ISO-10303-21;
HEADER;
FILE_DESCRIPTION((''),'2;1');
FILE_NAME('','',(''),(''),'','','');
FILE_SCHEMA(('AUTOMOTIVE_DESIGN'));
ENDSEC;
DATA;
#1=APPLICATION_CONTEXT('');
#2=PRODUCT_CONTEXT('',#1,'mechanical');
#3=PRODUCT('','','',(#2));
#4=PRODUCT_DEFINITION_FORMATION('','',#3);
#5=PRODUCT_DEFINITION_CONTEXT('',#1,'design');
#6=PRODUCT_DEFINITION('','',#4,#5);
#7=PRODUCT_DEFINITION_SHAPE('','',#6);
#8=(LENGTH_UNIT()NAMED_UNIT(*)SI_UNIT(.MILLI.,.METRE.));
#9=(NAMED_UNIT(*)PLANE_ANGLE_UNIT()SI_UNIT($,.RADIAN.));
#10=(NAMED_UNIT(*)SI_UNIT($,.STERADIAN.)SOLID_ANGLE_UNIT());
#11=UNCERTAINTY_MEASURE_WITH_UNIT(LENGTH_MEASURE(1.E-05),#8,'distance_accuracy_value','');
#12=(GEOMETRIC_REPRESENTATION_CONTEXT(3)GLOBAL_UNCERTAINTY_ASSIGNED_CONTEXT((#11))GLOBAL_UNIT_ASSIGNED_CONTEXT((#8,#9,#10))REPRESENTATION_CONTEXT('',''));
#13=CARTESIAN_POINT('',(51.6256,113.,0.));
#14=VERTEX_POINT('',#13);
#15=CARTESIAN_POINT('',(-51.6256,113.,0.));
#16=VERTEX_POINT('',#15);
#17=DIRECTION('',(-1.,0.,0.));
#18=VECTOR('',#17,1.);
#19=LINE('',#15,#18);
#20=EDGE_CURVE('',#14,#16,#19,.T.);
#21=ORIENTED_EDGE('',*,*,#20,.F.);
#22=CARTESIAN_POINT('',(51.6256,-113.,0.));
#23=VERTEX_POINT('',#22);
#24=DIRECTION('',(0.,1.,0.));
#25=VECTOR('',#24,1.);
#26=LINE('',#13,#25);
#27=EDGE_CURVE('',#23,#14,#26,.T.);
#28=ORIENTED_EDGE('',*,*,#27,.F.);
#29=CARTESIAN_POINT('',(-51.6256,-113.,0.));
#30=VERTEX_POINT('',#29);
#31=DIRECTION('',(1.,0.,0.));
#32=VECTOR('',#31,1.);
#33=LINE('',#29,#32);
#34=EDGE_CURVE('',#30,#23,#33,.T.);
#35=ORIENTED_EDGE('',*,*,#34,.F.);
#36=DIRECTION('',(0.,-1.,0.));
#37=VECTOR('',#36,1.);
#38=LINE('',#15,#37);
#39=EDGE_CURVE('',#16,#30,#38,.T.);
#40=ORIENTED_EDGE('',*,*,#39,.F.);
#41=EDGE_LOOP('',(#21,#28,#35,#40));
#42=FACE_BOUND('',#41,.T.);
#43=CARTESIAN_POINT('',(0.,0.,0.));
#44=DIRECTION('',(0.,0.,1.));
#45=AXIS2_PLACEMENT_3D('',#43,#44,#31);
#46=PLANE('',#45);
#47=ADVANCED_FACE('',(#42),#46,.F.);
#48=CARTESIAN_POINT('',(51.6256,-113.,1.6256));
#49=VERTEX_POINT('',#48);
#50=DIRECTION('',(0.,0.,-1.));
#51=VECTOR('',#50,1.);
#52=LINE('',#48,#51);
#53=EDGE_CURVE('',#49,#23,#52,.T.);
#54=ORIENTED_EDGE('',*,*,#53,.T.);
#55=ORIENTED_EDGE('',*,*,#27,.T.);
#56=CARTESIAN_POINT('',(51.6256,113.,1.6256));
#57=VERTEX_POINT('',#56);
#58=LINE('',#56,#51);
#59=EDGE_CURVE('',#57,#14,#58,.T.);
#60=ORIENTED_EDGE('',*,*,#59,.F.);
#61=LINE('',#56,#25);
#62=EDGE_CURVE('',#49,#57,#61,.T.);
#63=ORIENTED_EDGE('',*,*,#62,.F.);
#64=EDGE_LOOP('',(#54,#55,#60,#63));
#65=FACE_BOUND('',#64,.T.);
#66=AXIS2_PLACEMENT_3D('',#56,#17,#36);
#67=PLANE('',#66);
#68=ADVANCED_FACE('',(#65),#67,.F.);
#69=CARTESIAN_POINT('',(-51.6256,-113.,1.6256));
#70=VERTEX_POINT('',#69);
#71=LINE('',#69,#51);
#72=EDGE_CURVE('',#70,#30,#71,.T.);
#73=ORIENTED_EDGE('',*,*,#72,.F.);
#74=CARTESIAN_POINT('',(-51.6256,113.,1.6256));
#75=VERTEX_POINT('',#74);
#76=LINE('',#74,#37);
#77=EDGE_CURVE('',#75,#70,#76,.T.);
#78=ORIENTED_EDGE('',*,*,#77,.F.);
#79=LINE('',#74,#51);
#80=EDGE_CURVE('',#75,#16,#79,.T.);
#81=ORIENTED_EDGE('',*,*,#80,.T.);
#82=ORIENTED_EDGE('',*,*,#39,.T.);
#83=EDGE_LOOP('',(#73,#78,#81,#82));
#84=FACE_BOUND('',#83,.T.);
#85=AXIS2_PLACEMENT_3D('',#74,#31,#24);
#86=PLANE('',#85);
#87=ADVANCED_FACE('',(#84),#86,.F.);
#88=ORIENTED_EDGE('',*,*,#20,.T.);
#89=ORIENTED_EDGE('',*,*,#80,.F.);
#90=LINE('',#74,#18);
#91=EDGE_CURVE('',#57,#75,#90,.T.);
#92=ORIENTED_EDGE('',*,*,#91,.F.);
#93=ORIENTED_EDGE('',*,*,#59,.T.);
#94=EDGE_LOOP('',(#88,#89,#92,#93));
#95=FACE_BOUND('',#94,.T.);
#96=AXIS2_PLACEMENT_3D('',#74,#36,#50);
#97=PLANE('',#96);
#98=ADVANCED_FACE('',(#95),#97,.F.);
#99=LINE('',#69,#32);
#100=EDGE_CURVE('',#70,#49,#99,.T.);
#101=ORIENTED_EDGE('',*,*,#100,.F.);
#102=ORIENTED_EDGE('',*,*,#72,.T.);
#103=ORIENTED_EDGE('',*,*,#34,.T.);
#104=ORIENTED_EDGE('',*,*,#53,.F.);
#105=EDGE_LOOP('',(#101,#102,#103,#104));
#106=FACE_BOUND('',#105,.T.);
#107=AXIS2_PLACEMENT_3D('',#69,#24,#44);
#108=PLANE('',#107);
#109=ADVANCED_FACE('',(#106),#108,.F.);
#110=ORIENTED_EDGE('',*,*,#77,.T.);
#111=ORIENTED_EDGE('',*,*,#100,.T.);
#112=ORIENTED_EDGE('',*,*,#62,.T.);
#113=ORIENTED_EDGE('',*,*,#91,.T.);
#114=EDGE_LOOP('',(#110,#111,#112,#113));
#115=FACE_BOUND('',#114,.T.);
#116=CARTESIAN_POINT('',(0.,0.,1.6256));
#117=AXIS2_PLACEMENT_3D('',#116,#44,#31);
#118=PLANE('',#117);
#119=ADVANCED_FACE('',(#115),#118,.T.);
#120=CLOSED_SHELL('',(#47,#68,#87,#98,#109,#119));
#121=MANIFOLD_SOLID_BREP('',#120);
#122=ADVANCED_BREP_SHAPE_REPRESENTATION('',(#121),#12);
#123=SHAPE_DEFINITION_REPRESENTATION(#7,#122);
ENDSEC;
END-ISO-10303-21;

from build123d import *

# Parameters (mm, degrees)
SKETCH2_W           = 103.2512
SKETCH2_H           = 226
BOSS_EXTRUDE1_DEPTH = 1.6256


with BuildPart() as part:
    # Sketch2 → Boss-Extrude1 (new body)
    with BuildSketch(Plane.XY):
        Rectangle(SKETCH2_W, SKETCH2_H)
    extrude(amount=BOSS_EXTRUDE1_DEPTH)


solid = part.part
